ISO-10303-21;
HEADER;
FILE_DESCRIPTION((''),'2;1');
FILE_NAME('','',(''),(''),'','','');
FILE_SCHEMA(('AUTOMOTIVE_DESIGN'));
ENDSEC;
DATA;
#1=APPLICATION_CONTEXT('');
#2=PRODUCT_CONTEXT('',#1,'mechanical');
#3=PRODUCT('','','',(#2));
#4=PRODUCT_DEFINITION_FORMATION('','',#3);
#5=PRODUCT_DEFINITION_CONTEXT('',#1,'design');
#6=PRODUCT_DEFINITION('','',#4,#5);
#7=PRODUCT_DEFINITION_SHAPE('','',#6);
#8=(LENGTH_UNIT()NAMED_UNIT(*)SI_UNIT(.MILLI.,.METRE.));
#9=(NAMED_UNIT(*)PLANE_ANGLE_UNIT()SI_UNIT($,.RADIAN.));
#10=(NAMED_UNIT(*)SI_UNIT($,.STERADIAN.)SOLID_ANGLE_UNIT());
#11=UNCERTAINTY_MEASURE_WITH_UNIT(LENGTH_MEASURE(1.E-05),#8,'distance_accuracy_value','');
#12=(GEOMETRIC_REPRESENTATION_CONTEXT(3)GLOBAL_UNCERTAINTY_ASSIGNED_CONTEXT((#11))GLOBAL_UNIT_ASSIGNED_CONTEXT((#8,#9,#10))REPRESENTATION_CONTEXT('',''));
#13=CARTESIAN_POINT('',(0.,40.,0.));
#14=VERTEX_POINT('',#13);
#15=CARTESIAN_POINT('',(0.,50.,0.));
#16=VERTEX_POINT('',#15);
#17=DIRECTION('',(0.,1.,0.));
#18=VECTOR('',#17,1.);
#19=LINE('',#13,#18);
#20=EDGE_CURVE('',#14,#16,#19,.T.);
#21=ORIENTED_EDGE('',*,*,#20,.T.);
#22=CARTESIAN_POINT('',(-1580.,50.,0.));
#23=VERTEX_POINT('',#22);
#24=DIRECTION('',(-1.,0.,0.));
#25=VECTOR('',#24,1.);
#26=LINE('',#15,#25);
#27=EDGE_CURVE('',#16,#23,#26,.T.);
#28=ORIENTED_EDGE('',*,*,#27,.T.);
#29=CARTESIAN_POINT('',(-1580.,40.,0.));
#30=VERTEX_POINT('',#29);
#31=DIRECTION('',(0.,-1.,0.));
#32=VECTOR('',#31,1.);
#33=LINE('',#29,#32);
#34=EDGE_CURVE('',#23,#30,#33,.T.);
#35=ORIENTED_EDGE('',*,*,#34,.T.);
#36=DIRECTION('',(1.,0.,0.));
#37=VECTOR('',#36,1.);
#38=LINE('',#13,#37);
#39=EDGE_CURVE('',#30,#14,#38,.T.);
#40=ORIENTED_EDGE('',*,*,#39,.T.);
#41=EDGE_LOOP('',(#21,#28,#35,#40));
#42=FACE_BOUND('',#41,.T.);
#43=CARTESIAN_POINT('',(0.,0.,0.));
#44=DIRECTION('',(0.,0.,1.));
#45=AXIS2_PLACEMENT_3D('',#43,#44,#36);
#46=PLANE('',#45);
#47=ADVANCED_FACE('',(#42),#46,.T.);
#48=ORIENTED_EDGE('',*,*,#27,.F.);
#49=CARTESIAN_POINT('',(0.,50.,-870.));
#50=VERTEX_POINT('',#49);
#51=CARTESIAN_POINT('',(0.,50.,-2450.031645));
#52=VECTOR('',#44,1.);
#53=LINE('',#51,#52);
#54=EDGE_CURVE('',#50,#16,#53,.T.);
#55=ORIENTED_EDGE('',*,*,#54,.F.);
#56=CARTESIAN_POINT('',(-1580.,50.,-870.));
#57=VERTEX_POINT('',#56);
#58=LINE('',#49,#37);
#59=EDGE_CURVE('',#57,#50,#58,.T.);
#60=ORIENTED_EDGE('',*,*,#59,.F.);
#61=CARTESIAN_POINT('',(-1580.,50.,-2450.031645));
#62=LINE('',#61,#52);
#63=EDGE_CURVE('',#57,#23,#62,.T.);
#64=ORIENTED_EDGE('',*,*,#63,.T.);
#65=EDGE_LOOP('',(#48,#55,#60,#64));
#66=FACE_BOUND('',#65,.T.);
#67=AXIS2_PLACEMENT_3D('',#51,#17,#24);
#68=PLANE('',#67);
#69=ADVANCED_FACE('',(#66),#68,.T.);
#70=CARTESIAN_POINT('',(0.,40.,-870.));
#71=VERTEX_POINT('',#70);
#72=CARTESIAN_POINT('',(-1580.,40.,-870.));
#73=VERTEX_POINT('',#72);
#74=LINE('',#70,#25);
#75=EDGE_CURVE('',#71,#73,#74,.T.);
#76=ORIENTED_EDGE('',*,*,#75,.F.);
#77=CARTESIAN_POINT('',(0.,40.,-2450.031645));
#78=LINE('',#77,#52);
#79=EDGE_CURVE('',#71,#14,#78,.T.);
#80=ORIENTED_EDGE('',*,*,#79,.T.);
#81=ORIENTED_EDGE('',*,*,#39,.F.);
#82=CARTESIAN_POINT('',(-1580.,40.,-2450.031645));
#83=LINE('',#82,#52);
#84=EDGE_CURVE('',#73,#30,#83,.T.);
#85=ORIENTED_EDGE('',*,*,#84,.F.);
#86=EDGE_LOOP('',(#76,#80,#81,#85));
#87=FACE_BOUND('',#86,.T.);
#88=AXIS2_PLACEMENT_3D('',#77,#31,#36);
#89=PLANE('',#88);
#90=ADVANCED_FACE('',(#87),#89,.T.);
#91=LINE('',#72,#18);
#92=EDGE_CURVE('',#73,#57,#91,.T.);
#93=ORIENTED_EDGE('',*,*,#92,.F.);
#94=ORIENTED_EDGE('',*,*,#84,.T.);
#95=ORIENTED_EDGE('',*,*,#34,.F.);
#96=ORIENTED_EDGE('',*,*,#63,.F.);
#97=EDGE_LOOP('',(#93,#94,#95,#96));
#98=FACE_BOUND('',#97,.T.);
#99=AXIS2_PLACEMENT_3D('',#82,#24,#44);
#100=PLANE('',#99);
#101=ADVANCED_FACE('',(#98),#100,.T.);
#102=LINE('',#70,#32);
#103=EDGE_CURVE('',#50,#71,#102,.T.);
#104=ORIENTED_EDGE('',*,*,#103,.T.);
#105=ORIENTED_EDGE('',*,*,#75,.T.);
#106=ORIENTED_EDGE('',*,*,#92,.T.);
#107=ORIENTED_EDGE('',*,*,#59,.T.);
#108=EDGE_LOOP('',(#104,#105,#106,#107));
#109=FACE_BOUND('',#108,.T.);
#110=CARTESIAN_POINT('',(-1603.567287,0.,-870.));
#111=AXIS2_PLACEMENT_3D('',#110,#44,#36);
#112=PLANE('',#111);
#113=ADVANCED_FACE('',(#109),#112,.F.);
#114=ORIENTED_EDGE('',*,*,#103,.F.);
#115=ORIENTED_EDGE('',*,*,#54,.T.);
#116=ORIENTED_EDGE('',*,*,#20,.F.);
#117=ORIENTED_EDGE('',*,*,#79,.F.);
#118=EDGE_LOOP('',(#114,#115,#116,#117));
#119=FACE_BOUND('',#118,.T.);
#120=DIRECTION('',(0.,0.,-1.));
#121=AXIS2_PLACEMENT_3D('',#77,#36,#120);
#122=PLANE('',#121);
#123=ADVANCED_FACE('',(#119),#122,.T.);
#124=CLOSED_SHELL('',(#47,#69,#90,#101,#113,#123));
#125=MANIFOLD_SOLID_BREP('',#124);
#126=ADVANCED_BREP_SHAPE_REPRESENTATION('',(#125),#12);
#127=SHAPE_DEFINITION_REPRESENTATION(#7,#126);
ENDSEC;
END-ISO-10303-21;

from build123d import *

# Parameters (mm, degrees)
SKETCH_1_W      = 1580
SKETCH_1_H      = 10
EXTRUDE_1_DEPTH = 870


with BuildPart() as part:
    # Эскиз1 → Бобышка-Вытянуть1 (new body)
    with BuildSketch(Plane.XY):
        with Locations((-790, 45)):
            Rectangle(SKETCH_1_W, SKETCH_1_H)
    extrude(amount=-EXTRUDE_1_DEPTH)


solid = part.part
